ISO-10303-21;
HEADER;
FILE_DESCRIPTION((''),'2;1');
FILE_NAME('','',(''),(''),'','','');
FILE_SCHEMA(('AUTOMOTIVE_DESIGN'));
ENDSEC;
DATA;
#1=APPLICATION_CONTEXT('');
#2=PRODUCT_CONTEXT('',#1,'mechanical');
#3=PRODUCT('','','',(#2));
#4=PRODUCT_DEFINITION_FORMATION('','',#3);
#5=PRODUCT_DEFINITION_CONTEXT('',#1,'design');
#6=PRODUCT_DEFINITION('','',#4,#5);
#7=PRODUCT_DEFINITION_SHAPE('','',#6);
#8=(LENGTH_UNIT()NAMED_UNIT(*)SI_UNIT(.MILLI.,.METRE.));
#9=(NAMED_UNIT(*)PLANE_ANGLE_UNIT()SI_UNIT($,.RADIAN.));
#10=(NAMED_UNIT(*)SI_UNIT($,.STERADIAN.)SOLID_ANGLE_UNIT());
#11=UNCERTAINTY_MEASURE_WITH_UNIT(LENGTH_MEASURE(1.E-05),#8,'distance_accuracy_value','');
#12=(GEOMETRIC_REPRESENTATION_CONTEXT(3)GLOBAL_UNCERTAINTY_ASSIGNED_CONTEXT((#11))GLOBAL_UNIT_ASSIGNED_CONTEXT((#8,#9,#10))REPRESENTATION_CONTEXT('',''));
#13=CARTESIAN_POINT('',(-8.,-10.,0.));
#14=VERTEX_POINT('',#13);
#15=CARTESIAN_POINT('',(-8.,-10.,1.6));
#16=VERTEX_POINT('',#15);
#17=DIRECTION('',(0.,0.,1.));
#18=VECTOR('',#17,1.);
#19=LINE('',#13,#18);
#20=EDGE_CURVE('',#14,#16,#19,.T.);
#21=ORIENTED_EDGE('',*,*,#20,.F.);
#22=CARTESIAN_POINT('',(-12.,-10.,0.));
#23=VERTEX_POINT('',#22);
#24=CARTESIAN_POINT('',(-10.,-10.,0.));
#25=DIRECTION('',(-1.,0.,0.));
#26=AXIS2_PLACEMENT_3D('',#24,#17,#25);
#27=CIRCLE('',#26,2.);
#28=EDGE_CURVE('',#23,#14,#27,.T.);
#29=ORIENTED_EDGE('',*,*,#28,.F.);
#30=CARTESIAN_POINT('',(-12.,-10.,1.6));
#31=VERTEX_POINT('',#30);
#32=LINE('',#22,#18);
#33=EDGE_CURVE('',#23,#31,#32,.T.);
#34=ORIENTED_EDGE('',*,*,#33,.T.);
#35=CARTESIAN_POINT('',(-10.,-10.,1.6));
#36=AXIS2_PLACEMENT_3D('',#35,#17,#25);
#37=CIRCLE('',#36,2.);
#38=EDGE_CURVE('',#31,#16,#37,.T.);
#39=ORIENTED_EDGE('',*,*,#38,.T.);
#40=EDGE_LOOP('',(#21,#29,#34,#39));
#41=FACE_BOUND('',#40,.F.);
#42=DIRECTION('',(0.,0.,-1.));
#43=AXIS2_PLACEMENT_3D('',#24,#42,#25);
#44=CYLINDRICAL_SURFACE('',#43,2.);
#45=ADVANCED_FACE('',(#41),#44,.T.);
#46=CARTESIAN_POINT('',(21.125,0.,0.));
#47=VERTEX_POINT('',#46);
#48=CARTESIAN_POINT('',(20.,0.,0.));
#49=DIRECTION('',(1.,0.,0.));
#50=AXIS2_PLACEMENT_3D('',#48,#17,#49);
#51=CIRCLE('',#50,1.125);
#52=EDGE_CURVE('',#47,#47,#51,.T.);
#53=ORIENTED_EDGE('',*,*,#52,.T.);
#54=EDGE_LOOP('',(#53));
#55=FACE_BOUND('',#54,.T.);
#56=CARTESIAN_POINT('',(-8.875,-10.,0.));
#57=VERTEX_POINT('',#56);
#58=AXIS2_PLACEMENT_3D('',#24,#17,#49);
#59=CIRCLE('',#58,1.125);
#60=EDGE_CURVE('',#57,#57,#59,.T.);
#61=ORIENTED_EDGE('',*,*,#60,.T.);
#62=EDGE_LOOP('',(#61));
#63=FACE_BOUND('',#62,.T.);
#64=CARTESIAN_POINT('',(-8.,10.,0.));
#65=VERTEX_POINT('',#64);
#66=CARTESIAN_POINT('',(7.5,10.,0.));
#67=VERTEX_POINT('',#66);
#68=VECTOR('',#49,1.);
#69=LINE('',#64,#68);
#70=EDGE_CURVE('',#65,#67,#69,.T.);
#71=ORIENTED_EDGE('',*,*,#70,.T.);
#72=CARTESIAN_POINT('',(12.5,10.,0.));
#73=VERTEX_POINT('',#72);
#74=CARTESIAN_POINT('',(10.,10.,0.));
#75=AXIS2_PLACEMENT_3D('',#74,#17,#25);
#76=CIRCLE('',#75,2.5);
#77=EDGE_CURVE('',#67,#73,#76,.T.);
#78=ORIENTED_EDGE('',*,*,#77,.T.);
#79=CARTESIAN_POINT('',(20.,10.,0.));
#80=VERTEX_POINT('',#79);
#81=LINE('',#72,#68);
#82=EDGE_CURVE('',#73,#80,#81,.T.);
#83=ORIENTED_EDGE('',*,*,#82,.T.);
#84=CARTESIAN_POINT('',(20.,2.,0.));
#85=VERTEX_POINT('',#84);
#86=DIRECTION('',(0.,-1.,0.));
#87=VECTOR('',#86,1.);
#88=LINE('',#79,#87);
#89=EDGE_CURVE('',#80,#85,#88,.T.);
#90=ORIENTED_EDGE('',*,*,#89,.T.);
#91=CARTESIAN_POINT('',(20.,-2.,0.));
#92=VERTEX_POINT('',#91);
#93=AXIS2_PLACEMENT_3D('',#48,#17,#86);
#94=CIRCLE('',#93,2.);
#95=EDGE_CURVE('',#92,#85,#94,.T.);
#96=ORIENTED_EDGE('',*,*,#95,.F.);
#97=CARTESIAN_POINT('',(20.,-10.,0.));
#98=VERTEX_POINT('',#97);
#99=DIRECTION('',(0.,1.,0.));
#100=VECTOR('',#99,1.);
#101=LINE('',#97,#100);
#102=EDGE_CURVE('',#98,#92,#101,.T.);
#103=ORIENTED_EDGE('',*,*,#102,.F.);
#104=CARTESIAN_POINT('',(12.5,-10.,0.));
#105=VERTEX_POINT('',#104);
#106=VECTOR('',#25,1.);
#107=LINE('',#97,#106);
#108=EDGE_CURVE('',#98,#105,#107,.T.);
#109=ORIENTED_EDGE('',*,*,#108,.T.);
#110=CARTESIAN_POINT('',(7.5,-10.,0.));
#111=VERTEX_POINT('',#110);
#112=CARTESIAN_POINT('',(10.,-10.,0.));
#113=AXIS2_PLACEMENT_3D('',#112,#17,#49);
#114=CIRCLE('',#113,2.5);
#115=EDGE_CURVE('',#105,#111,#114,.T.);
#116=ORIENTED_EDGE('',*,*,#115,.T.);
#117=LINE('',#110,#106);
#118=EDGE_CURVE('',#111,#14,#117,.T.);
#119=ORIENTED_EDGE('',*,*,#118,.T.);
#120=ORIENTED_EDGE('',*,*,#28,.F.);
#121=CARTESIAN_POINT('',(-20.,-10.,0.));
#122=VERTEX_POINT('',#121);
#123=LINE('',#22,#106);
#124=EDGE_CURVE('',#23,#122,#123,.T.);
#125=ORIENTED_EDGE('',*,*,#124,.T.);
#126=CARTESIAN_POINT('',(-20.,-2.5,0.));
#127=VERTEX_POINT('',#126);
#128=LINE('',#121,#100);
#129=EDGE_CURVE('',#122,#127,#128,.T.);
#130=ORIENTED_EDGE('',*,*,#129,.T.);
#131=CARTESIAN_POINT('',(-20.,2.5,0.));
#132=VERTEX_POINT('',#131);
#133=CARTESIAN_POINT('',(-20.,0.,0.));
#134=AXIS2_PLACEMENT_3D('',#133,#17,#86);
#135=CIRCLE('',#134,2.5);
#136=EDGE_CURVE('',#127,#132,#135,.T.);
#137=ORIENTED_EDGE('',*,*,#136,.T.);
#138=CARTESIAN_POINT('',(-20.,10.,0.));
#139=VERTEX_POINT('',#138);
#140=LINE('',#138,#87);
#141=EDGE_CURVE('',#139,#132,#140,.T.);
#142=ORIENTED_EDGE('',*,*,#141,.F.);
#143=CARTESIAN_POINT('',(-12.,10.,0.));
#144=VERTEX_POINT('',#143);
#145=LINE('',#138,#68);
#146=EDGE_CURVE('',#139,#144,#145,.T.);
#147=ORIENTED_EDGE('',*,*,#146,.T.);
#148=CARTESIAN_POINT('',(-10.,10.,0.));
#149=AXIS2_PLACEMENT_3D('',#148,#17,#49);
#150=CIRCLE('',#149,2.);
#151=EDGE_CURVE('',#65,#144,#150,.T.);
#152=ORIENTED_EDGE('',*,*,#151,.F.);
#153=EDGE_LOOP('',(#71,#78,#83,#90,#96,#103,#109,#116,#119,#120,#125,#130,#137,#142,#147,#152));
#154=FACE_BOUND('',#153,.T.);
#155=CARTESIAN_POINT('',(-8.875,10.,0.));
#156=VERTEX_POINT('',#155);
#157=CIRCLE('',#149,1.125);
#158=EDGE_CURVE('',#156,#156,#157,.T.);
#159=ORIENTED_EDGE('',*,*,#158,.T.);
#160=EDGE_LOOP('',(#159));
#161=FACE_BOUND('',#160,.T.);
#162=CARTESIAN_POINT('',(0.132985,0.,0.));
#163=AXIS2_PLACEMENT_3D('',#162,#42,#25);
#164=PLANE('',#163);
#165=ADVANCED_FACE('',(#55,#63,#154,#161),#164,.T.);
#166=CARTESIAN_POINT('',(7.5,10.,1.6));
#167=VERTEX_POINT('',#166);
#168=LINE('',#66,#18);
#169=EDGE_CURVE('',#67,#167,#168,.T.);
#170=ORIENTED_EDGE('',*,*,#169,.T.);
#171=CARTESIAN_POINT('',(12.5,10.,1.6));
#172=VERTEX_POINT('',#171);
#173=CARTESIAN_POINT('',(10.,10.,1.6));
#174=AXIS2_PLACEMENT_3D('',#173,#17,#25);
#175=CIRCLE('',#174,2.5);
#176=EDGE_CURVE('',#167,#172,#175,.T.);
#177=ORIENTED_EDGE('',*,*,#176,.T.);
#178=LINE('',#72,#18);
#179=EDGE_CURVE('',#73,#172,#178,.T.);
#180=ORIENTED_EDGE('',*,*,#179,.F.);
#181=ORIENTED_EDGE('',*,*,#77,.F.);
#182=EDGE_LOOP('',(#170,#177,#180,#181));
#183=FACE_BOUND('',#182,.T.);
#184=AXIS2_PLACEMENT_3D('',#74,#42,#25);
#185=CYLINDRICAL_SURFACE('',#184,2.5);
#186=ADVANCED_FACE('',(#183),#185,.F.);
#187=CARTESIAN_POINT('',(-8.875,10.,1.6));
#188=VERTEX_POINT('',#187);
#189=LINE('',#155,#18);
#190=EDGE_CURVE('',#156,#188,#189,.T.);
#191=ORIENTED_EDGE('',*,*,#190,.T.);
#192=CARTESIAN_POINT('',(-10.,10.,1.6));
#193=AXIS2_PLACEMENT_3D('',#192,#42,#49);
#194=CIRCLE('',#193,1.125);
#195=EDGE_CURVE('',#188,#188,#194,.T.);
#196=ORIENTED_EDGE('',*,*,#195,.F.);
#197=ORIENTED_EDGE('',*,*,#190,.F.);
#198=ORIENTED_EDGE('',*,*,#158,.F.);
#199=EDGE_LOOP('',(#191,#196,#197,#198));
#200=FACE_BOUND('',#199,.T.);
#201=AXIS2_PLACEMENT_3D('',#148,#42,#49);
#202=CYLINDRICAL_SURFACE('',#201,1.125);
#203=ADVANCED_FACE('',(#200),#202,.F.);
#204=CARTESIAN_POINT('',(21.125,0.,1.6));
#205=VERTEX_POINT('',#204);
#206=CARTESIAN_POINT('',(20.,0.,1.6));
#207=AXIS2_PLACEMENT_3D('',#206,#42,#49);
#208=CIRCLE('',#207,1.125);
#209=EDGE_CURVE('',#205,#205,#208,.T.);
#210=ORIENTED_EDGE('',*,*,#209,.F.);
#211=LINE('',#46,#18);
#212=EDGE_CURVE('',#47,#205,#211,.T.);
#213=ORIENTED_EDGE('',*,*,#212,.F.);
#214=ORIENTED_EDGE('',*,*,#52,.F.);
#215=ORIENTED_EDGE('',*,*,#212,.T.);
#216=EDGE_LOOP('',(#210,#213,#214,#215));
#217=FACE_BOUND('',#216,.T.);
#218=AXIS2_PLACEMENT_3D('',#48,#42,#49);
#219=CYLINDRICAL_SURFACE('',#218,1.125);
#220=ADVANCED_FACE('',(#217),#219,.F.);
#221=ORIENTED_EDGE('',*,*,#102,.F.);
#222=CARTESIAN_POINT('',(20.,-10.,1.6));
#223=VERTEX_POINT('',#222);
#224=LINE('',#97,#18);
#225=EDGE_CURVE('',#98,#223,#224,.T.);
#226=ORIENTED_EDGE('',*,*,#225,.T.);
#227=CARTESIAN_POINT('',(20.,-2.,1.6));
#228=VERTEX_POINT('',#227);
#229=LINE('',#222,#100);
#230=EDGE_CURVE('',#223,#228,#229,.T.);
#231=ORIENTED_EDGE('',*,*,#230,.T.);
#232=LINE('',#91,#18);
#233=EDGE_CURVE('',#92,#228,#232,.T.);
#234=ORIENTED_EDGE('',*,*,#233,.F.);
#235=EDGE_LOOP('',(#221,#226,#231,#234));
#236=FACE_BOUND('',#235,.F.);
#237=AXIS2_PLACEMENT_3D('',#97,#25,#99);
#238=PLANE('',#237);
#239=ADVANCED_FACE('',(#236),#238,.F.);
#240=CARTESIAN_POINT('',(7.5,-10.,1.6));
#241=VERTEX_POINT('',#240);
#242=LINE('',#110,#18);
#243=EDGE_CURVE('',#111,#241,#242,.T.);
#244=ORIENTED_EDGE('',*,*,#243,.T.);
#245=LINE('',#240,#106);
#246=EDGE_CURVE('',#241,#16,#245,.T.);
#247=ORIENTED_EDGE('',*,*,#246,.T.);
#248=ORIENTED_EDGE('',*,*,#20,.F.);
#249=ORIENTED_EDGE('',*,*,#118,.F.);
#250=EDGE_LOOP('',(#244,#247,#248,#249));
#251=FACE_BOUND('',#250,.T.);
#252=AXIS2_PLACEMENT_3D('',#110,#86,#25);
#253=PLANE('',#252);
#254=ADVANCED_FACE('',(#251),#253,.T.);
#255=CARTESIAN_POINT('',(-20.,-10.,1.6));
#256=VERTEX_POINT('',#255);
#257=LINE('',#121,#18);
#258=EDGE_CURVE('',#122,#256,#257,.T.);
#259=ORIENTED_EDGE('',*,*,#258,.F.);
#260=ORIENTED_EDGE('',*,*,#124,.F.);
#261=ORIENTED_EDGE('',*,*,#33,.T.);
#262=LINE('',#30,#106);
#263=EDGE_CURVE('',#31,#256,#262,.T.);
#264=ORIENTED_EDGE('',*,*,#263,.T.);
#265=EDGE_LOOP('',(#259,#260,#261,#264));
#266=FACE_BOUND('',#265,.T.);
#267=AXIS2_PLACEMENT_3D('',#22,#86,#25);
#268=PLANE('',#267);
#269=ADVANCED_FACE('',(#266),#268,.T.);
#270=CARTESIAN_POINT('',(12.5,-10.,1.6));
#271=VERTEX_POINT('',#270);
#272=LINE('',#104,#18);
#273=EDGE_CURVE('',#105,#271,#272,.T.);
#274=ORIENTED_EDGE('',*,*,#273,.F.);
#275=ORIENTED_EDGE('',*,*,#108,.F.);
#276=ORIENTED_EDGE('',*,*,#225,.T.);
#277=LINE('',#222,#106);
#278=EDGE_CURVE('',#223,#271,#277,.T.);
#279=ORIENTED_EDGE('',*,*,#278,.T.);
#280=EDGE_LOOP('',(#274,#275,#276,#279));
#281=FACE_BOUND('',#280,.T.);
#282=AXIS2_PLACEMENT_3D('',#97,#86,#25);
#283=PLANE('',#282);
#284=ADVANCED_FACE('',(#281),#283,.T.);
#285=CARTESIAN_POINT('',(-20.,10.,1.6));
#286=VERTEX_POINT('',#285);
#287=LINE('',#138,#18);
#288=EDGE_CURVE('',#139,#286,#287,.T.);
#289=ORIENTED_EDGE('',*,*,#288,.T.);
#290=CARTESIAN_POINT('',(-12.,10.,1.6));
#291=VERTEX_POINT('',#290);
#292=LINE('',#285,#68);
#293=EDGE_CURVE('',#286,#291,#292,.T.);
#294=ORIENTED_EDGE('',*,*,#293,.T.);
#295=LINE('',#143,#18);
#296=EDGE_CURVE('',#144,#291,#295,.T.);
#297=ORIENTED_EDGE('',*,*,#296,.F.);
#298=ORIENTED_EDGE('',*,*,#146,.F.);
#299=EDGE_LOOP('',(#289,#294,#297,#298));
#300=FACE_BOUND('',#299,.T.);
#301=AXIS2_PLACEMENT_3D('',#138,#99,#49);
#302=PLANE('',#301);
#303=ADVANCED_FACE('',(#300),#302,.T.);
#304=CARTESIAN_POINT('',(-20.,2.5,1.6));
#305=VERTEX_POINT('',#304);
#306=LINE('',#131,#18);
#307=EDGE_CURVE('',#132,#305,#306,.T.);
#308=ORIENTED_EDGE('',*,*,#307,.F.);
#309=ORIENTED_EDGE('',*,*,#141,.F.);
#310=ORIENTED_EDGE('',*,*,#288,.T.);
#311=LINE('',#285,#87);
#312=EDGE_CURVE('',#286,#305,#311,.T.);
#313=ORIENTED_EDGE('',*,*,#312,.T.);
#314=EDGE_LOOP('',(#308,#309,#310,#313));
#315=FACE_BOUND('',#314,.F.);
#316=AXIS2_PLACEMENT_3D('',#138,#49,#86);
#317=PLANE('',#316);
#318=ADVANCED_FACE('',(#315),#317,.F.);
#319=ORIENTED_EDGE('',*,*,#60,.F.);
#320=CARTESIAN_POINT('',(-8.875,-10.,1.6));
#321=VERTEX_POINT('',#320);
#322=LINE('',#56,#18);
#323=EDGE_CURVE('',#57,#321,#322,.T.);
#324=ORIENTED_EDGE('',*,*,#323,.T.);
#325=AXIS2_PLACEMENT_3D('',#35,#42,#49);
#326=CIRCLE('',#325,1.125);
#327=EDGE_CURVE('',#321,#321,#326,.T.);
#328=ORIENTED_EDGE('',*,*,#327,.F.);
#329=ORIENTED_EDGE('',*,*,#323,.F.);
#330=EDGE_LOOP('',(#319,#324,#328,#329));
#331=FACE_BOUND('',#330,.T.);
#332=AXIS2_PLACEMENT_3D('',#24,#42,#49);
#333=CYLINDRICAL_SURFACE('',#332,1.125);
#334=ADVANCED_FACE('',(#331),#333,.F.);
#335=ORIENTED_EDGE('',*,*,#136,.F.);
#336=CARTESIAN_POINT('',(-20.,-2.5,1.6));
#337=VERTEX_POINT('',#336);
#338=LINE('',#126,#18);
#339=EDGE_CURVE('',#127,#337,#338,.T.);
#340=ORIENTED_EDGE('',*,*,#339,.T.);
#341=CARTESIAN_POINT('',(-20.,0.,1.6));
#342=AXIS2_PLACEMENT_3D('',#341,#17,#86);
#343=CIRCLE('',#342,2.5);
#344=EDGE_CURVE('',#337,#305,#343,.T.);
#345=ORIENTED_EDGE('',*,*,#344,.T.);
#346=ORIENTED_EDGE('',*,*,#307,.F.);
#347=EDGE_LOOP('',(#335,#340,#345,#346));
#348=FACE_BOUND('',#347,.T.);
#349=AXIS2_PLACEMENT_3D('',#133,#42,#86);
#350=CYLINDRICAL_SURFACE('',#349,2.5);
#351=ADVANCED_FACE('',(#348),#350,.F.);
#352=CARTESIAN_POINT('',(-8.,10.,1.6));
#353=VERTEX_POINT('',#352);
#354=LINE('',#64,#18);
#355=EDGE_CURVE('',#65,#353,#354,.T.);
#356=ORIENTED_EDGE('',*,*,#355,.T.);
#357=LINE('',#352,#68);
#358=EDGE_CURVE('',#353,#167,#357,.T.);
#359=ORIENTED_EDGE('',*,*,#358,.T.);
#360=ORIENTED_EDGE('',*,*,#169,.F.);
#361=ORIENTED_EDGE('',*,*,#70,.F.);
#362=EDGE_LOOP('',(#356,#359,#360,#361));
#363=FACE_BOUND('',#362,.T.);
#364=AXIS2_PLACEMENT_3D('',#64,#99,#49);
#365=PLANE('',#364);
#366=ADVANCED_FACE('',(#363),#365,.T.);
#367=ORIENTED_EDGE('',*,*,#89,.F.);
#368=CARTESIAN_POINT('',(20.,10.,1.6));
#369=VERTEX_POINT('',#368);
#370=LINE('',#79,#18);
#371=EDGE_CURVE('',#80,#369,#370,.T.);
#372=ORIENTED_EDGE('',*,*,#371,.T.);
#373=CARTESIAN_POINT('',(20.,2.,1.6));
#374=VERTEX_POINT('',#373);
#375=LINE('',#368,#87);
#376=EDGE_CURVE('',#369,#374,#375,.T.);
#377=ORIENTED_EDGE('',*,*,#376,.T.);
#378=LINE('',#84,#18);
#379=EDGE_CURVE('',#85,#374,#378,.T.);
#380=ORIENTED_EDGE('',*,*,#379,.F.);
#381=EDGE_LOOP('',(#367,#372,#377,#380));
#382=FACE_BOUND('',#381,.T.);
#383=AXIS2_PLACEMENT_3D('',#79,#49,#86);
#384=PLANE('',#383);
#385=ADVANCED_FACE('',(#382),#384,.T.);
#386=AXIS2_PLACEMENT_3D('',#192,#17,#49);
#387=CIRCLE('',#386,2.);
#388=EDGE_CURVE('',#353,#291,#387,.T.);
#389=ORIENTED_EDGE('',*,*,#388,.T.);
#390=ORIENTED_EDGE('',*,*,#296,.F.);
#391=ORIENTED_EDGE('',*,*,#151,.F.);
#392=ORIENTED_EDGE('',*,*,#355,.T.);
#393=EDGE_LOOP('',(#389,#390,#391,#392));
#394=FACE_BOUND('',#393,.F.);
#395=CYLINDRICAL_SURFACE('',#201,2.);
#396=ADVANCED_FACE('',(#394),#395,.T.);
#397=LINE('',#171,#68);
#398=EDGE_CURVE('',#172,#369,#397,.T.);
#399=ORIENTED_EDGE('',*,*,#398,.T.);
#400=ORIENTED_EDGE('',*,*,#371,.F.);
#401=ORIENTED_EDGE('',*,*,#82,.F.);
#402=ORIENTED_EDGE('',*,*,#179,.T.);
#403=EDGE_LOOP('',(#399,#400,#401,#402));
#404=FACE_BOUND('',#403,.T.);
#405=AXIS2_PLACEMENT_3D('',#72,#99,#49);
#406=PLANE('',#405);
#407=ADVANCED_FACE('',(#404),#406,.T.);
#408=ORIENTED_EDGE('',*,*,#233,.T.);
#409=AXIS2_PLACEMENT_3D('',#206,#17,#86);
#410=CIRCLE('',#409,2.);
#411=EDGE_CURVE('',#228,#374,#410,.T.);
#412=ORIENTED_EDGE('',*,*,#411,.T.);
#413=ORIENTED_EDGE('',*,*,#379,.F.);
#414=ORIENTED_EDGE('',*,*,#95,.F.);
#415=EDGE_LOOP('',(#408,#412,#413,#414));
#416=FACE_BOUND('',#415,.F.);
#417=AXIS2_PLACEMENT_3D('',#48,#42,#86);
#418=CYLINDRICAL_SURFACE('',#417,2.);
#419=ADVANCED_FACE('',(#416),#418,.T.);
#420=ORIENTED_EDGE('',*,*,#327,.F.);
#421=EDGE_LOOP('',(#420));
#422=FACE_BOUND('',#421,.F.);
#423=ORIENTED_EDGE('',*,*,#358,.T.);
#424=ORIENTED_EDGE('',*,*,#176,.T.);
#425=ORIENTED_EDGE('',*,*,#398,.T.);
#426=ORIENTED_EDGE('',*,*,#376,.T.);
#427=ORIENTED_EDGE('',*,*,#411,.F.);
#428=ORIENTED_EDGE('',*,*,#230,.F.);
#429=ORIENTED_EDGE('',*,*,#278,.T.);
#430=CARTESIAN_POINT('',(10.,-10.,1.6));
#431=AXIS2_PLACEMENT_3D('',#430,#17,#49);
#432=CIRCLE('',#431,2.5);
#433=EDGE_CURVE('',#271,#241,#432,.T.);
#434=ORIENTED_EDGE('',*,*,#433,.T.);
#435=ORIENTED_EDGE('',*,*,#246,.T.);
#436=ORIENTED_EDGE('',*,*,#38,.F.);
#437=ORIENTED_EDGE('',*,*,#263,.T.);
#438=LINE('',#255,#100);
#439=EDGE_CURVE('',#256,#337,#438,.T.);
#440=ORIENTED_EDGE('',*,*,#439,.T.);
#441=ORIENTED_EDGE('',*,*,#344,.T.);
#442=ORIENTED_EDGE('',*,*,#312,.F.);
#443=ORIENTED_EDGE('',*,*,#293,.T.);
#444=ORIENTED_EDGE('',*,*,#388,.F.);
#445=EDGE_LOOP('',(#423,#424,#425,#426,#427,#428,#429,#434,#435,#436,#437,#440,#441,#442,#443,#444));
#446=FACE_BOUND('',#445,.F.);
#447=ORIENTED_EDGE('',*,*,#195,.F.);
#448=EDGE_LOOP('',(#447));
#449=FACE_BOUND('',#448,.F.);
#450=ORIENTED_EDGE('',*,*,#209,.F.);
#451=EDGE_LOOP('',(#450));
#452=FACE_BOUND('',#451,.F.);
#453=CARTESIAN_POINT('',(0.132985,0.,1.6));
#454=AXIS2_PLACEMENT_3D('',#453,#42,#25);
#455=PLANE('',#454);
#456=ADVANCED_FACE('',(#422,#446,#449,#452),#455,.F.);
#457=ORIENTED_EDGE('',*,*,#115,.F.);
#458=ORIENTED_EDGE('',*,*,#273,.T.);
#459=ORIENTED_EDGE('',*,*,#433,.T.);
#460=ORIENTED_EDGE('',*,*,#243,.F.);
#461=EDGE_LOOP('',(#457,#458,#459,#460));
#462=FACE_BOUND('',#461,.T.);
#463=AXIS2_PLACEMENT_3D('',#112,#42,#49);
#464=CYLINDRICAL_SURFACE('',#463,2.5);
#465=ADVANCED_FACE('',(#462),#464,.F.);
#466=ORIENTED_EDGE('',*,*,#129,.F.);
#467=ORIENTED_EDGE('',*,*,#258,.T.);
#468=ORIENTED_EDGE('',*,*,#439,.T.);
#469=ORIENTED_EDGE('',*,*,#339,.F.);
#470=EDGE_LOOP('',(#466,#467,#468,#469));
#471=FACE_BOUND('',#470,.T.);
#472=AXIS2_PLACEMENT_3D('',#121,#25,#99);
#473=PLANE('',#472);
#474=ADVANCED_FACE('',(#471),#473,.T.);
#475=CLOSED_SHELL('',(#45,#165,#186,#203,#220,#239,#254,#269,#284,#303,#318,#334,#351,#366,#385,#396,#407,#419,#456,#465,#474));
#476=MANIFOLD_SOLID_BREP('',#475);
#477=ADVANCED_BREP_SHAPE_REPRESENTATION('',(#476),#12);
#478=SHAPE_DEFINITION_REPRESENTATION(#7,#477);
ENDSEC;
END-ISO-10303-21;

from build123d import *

# Parameters (mm, degrees)
PAD_DEPTH    = 1.6
SKETCH001_R  = 1.125
POCKET_DEPTH = 1.601


with BuildPart() as part:
    # Sketch → Pad (new body)
    with BuildSketch(Plane.XY):
        with BuildLine():
            Line((-20, 10), (-12, 10))
            ThreePointArc((-8, 10), (-10, 12), (-12, 10))
            Line((-8, 10), (0, 10))
            Line((0, 10), (7.5, 10))
            ThreePointArc((7.5, 10), (10, 7.5), (12.5, 10))
            Line((12.5, 10), (20, 10))
            Line((20, 10), (20, 2))
            ThreePointArc((20, -2), (22, 0), (20, 2))
            Line((20, -10), (20, -2))
            Line((20, -10), (12.5, -10))
            ThreePointArc((12.5, -10), (10, -7.5), (7.5, -10))
            Line((7.5, -10), (0, -10))
            Line((0, -10), (-8, -10))
            ThreePointArc((-12, -10), (-10, -12), (-8, -10))
            Line((-12, -10), (-20, -10))
            Line((-20, -10), (-20, -2.5))
            ThreePointArc((-20, -2.5), (-17.5, 0), (-20, 2.5))
            Line((-20, 10), (-20, 2.5))
        make_face()
    extrude(amount=PAD_DEPTH)

    # Sketch001 → Pocket (cut, through all)
    with BuildSketch(Plane.XY):
        with Locations((-10, 10)):
            Circle(SKETCH001_R)
        with Locations((-10, -10)):
            Circle(SKETCH001_R)
        with Locations((20, 0)):
            Circle(SKETCH001_R)
    extrude(amount=POCKET_DEPTH, mode=Mode.SUBTRACT)


solid = part.part
